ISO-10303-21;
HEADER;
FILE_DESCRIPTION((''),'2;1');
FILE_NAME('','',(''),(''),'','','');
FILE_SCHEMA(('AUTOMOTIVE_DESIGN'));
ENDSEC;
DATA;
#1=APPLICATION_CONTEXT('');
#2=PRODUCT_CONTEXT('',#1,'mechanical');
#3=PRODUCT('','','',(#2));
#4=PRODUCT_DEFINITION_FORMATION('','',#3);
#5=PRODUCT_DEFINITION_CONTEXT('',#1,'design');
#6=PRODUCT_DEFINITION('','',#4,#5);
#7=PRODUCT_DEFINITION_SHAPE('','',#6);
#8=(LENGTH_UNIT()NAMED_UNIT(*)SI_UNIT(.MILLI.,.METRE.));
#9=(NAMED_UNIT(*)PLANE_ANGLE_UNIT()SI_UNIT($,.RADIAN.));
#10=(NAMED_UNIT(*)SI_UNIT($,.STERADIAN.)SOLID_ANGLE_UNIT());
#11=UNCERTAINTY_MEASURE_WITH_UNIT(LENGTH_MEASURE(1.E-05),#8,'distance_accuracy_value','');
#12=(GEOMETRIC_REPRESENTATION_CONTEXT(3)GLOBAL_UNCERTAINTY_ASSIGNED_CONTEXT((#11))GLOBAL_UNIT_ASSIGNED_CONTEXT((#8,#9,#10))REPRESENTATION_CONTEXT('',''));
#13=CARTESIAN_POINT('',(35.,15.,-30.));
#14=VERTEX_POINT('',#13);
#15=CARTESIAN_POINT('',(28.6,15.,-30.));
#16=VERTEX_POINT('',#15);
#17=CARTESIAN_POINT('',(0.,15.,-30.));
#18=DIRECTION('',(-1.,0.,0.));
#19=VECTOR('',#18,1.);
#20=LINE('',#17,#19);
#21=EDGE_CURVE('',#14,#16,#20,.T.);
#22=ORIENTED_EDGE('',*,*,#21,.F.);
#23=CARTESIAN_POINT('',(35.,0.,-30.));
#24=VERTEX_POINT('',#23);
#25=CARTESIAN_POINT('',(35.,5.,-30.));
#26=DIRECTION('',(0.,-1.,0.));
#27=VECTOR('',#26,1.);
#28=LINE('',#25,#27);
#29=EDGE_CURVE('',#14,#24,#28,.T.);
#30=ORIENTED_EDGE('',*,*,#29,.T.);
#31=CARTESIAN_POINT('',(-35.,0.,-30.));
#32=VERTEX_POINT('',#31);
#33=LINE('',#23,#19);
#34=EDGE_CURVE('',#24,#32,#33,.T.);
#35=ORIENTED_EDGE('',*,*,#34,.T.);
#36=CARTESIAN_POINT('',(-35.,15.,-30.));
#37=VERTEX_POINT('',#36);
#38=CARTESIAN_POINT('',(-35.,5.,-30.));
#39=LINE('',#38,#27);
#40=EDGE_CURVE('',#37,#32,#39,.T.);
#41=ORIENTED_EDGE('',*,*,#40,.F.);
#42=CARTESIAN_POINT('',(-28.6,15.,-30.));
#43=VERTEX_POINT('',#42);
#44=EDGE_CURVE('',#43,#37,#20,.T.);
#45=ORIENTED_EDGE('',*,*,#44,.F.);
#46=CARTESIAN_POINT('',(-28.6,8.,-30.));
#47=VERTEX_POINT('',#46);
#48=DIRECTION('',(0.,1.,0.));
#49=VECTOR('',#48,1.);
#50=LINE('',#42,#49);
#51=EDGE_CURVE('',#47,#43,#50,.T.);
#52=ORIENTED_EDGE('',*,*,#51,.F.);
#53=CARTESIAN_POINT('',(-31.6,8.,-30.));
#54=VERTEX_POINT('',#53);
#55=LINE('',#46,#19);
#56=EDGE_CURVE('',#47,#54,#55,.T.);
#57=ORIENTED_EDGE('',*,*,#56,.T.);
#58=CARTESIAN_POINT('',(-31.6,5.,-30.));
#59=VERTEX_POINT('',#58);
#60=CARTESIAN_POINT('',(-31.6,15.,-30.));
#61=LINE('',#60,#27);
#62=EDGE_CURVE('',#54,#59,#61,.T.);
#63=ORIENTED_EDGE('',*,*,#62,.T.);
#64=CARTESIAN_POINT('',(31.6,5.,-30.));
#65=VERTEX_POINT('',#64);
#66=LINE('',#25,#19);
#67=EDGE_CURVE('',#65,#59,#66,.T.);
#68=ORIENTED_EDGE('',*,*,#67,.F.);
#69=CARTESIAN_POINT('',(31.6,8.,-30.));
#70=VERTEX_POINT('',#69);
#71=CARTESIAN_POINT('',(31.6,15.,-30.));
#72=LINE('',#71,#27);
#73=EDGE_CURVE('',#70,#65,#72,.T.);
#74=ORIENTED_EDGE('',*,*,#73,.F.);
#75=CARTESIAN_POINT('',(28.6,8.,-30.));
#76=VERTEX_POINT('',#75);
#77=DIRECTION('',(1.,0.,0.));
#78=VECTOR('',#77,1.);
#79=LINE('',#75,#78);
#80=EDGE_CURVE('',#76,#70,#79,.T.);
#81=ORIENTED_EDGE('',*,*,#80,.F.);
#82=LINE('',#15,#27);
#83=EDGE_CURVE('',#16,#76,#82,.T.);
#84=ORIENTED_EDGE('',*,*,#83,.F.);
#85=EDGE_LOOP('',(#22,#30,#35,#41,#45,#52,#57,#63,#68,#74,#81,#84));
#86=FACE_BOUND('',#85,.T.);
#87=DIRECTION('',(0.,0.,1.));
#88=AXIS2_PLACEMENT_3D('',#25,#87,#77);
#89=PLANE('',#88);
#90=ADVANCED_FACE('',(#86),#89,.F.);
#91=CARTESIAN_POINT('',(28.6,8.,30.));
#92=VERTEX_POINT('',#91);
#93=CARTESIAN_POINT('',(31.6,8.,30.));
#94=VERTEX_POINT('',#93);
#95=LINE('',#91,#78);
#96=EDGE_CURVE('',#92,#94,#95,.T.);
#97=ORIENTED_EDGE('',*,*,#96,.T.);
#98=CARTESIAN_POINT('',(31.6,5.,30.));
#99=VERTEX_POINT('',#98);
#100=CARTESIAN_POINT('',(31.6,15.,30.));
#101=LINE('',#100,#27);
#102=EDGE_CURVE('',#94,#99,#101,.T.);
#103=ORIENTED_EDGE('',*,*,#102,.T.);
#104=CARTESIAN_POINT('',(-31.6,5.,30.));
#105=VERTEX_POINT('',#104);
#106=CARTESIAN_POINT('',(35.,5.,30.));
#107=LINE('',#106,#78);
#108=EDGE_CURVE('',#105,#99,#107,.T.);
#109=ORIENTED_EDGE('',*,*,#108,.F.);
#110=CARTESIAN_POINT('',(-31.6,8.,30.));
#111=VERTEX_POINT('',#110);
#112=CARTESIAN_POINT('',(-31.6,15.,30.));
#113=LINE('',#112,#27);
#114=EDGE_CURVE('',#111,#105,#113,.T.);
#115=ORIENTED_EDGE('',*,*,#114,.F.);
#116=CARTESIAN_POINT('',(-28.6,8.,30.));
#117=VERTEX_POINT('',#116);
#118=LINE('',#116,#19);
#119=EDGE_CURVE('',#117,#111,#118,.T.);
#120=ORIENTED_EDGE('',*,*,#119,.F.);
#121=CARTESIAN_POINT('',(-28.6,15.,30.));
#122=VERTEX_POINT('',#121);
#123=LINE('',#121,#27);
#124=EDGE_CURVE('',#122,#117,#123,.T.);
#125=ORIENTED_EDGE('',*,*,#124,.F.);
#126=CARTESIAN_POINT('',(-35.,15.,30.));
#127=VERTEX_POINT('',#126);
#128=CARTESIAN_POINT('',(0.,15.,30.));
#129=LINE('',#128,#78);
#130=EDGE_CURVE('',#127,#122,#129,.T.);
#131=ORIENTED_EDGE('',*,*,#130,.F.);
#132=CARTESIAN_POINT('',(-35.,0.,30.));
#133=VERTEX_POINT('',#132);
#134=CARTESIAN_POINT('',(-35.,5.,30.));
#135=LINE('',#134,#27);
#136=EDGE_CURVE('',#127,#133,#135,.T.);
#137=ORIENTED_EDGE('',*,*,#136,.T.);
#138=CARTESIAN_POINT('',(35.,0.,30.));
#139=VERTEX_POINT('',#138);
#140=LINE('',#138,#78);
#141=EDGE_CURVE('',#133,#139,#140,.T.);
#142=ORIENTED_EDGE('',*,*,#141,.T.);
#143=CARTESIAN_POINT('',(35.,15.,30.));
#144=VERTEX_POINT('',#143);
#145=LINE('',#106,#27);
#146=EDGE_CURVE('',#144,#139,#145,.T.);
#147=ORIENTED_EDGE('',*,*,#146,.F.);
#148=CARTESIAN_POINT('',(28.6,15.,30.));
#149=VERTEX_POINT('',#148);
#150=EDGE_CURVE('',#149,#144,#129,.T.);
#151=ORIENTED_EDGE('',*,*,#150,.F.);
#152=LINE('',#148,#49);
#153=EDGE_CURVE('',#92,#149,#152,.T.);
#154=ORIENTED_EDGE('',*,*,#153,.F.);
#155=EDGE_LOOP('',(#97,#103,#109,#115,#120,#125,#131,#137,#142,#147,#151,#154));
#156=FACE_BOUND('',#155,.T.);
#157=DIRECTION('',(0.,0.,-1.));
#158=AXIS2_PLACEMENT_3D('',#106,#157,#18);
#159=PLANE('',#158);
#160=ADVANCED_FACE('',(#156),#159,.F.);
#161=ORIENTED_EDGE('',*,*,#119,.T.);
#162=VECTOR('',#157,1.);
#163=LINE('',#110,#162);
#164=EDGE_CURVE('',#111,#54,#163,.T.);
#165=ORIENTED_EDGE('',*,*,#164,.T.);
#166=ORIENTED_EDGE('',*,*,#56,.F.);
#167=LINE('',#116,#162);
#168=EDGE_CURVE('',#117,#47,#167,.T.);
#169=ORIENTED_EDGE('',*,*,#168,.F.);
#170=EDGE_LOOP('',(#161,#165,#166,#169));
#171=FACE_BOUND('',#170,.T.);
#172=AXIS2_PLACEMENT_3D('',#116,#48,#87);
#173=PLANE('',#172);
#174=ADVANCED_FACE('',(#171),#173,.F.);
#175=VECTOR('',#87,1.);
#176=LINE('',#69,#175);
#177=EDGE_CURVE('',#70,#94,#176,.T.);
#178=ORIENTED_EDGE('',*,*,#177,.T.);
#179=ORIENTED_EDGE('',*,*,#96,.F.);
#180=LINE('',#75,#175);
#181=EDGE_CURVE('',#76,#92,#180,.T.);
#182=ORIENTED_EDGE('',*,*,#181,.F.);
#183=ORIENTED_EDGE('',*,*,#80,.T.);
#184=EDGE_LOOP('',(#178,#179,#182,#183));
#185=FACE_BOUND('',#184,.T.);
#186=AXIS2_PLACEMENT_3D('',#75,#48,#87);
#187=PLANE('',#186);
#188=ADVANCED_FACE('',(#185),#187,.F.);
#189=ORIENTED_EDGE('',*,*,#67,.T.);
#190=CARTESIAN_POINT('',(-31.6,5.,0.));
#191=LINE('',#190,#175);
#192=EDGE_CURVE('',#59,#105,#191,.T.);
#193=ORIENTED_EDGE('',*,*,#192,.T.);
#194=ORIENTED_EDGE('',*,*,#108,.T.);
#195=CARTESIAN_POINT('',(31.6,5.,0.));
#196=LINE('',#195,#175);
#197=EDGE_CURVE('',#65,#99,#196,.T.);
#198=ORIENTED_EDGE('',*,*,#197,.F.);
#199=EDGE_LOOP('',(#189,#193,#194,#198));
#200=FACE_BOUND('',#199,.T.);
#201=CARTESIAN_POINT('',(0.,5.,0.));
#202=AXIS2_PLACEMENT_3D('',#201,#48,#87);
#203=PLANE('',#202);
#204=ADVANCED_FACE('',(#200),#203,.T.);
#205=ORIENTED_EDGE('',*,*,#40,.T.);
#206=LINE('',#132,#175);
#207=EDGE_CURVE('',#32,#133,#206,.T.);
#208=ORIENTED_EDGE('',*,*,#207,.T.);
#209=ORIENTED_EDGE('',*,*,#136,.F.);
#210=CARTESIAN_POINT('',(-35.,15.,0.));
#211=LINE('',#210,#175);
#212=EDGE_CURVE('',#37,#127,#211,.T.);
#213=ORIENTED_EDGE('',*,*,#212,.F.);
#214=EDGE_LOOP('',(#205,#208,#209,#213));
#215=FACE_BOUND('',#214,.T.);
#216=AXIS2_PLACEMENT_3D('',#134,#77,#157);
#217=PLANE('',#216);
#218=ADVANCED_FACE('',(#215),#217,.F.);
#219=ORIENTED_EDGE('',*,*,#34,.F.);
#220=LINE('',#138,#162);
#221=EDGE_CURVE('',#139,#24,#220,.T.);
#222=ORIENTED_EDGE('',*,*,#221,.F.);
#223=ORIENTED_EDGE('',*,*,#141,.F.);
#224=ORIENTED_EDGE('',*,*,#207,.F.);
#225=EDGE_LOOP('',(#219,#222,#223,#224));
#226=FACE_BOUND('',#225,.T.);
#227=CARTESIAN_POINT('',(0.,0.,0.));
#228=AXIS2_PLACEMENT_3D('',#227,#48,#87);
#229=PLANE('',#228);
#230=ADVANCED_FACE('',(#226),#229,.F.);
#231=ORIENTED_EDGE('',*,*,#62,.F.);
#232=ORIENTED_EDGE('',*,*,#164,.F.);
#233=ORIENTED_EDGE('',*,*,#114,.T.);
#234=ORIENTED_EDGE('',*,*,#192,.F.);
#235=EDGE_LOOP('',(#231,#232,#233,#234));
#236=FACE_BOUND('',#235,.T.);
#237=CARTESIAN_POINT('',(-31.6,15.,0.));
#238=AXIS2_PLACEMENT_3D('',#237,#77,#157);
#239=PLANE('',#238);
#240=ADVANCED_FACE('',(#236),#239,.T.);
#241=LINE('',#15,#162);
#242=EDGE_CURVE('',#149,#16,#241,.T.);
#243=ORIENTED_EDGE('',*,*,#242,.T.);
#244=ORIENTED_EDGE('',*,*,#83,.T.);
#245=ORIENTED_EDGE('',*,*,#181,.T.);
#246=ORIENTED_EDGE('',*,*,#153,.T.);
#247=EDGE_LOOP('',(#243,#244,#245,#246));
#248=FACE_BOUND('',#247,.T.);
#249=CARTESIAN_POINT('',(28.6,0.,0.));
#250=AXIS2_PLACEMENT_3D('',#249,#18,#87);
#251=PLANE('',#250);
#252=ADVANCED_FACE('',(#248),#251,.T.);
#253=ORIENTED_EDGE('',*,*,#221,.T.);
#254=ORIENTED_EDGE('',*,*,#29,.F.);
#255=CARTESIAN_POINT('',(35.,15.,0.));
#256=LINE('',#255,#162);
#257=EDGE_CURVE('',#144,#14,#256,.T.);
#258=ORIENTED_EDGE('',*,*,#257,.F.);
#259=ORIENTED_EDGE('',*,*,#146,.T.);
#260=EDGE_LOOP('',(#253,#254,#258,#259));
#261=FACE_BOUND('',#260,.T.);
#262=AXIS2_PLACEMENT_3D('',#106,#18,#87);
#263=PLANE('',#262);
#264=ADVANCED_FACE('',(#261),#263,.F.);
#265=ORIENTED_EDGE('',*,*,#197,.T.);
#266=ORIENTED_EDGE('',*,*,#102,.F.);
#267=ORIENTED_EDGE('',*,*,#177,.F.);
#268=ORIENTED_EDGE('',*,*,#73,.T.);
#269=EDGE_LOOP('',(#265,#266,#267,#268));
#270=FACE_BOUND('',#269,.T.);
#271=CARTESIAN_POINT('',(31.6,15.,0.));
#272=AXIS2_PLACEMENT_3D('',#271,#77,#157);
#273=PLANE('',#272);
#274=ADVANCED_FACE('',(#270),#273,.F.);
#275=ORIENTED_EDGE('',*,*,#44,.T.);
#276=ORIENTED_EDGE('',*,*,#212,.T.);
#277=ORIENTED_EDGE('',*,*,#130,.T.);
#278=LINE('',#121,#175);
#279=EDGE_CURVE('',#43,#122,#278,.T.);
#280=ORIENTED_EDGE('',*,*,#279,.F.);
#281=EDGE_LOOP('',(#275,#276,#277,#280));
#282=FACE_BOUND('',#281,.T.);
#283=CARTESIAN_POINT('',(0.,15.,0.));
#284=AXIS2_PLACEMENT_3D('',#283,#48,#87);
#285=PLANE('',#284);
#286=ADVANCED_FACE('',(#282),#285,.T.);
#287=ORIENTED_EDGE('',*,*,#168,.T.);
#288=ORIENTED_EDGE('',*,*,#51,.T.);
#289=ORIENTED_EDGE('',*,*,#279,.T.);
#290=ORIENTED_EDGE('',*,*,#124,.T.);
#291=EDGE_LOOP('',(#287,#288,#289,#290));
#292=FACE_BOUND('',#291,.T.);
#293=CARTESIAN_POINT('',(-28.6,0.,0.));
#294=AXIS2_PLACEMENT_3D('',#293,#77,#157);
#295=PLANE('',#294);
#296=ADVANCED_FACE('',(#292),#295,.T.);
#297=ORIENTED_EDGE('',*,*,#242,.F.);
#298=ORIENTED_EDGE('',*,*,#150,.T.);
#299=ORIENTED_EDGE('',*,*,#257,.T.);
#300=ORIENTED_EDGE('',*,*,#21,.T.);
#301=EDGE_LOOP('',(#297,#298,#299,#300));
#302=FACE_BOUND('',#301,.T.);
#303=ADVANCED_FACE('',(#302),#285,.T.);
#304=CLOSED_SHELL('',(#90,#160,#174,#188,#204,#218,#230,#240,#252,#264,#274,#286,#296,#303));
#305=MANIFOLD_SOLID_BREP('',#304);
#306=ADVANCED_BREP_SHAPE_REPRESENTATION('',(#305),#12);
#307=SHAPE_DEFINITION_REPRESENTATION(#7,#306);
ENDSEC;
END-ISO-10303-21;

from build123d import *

# Parameters (mm, degrees)
SKETCH1_W           = 70
SKETCH1_H           = 60
BOSS_EXTRUDE1_DEPTH = 5
SKETCH2_W           = 3.4
SKETCH2_H           = 60
BOSS_EXTRUDE2_DEPTH = 10
SKETCH5_W           = 60
SKETCH5_H           = 7
BOSS_EXTRUDE5_DEPTH = 3
SKETCH6_W           = 60
SKETCH6_H           = 7
BOSS_EXTRUDE6_DEPTH = 3


with BuildPart() as part:
    # Sketch1 → Boss-Extrude1 (new body)
    with BuildSketch(Plane(origin=(0, 0, 0), x_dir=(1, 0, 0), z_dir=(0, 1, 0))):
        Rectangle(SKETCH1_W, SKETCH1_H)
    extrude(amount=BOSS_EXTRUDE1_DEPTH)

    # Sketch2 → Boss-Extrude2 (add)
    with BuildSketch(Plane(origin=(0, 5, 0), x_dir=(1, 0, 0), z_dir=(0, 1, 0))):
        with Locations((-33.3, 0)):
            Rectangle(SKETCH2_W, SKETCH2_H)
        with Locations((33.3, 0)):
            Rectangle(SKETCH2_W, SKETCH2_H)
    extrude(amount=BOSS_EXTRUDE2_DEPTH)

    # Sketch5 → Boss-Extrude5 (add)
    with BuildSketch(Plane(origin=(-31.6, 0, 0), x_dir=(0, 0, -1), z_dir=(1, 0, 0))):
        with Locations((0, 11.5)):
            Rectangle(SKETCH5_W, SKETCH5_H)
    extrude(amount=BOSS_EXTRUDE5_DEPTH)

    # Sketch6 → Boss-Extrude6 (add)
    with BuildSketch(Plane.ZY.offset(-31.6)):
        with Locations((0, 11.5)):
            Rectangle(SKETCH6_W, SKETCH6_H)
    extrude(amount=BOSS_EXTRUDE6_DEPTH)


solid = part.part
